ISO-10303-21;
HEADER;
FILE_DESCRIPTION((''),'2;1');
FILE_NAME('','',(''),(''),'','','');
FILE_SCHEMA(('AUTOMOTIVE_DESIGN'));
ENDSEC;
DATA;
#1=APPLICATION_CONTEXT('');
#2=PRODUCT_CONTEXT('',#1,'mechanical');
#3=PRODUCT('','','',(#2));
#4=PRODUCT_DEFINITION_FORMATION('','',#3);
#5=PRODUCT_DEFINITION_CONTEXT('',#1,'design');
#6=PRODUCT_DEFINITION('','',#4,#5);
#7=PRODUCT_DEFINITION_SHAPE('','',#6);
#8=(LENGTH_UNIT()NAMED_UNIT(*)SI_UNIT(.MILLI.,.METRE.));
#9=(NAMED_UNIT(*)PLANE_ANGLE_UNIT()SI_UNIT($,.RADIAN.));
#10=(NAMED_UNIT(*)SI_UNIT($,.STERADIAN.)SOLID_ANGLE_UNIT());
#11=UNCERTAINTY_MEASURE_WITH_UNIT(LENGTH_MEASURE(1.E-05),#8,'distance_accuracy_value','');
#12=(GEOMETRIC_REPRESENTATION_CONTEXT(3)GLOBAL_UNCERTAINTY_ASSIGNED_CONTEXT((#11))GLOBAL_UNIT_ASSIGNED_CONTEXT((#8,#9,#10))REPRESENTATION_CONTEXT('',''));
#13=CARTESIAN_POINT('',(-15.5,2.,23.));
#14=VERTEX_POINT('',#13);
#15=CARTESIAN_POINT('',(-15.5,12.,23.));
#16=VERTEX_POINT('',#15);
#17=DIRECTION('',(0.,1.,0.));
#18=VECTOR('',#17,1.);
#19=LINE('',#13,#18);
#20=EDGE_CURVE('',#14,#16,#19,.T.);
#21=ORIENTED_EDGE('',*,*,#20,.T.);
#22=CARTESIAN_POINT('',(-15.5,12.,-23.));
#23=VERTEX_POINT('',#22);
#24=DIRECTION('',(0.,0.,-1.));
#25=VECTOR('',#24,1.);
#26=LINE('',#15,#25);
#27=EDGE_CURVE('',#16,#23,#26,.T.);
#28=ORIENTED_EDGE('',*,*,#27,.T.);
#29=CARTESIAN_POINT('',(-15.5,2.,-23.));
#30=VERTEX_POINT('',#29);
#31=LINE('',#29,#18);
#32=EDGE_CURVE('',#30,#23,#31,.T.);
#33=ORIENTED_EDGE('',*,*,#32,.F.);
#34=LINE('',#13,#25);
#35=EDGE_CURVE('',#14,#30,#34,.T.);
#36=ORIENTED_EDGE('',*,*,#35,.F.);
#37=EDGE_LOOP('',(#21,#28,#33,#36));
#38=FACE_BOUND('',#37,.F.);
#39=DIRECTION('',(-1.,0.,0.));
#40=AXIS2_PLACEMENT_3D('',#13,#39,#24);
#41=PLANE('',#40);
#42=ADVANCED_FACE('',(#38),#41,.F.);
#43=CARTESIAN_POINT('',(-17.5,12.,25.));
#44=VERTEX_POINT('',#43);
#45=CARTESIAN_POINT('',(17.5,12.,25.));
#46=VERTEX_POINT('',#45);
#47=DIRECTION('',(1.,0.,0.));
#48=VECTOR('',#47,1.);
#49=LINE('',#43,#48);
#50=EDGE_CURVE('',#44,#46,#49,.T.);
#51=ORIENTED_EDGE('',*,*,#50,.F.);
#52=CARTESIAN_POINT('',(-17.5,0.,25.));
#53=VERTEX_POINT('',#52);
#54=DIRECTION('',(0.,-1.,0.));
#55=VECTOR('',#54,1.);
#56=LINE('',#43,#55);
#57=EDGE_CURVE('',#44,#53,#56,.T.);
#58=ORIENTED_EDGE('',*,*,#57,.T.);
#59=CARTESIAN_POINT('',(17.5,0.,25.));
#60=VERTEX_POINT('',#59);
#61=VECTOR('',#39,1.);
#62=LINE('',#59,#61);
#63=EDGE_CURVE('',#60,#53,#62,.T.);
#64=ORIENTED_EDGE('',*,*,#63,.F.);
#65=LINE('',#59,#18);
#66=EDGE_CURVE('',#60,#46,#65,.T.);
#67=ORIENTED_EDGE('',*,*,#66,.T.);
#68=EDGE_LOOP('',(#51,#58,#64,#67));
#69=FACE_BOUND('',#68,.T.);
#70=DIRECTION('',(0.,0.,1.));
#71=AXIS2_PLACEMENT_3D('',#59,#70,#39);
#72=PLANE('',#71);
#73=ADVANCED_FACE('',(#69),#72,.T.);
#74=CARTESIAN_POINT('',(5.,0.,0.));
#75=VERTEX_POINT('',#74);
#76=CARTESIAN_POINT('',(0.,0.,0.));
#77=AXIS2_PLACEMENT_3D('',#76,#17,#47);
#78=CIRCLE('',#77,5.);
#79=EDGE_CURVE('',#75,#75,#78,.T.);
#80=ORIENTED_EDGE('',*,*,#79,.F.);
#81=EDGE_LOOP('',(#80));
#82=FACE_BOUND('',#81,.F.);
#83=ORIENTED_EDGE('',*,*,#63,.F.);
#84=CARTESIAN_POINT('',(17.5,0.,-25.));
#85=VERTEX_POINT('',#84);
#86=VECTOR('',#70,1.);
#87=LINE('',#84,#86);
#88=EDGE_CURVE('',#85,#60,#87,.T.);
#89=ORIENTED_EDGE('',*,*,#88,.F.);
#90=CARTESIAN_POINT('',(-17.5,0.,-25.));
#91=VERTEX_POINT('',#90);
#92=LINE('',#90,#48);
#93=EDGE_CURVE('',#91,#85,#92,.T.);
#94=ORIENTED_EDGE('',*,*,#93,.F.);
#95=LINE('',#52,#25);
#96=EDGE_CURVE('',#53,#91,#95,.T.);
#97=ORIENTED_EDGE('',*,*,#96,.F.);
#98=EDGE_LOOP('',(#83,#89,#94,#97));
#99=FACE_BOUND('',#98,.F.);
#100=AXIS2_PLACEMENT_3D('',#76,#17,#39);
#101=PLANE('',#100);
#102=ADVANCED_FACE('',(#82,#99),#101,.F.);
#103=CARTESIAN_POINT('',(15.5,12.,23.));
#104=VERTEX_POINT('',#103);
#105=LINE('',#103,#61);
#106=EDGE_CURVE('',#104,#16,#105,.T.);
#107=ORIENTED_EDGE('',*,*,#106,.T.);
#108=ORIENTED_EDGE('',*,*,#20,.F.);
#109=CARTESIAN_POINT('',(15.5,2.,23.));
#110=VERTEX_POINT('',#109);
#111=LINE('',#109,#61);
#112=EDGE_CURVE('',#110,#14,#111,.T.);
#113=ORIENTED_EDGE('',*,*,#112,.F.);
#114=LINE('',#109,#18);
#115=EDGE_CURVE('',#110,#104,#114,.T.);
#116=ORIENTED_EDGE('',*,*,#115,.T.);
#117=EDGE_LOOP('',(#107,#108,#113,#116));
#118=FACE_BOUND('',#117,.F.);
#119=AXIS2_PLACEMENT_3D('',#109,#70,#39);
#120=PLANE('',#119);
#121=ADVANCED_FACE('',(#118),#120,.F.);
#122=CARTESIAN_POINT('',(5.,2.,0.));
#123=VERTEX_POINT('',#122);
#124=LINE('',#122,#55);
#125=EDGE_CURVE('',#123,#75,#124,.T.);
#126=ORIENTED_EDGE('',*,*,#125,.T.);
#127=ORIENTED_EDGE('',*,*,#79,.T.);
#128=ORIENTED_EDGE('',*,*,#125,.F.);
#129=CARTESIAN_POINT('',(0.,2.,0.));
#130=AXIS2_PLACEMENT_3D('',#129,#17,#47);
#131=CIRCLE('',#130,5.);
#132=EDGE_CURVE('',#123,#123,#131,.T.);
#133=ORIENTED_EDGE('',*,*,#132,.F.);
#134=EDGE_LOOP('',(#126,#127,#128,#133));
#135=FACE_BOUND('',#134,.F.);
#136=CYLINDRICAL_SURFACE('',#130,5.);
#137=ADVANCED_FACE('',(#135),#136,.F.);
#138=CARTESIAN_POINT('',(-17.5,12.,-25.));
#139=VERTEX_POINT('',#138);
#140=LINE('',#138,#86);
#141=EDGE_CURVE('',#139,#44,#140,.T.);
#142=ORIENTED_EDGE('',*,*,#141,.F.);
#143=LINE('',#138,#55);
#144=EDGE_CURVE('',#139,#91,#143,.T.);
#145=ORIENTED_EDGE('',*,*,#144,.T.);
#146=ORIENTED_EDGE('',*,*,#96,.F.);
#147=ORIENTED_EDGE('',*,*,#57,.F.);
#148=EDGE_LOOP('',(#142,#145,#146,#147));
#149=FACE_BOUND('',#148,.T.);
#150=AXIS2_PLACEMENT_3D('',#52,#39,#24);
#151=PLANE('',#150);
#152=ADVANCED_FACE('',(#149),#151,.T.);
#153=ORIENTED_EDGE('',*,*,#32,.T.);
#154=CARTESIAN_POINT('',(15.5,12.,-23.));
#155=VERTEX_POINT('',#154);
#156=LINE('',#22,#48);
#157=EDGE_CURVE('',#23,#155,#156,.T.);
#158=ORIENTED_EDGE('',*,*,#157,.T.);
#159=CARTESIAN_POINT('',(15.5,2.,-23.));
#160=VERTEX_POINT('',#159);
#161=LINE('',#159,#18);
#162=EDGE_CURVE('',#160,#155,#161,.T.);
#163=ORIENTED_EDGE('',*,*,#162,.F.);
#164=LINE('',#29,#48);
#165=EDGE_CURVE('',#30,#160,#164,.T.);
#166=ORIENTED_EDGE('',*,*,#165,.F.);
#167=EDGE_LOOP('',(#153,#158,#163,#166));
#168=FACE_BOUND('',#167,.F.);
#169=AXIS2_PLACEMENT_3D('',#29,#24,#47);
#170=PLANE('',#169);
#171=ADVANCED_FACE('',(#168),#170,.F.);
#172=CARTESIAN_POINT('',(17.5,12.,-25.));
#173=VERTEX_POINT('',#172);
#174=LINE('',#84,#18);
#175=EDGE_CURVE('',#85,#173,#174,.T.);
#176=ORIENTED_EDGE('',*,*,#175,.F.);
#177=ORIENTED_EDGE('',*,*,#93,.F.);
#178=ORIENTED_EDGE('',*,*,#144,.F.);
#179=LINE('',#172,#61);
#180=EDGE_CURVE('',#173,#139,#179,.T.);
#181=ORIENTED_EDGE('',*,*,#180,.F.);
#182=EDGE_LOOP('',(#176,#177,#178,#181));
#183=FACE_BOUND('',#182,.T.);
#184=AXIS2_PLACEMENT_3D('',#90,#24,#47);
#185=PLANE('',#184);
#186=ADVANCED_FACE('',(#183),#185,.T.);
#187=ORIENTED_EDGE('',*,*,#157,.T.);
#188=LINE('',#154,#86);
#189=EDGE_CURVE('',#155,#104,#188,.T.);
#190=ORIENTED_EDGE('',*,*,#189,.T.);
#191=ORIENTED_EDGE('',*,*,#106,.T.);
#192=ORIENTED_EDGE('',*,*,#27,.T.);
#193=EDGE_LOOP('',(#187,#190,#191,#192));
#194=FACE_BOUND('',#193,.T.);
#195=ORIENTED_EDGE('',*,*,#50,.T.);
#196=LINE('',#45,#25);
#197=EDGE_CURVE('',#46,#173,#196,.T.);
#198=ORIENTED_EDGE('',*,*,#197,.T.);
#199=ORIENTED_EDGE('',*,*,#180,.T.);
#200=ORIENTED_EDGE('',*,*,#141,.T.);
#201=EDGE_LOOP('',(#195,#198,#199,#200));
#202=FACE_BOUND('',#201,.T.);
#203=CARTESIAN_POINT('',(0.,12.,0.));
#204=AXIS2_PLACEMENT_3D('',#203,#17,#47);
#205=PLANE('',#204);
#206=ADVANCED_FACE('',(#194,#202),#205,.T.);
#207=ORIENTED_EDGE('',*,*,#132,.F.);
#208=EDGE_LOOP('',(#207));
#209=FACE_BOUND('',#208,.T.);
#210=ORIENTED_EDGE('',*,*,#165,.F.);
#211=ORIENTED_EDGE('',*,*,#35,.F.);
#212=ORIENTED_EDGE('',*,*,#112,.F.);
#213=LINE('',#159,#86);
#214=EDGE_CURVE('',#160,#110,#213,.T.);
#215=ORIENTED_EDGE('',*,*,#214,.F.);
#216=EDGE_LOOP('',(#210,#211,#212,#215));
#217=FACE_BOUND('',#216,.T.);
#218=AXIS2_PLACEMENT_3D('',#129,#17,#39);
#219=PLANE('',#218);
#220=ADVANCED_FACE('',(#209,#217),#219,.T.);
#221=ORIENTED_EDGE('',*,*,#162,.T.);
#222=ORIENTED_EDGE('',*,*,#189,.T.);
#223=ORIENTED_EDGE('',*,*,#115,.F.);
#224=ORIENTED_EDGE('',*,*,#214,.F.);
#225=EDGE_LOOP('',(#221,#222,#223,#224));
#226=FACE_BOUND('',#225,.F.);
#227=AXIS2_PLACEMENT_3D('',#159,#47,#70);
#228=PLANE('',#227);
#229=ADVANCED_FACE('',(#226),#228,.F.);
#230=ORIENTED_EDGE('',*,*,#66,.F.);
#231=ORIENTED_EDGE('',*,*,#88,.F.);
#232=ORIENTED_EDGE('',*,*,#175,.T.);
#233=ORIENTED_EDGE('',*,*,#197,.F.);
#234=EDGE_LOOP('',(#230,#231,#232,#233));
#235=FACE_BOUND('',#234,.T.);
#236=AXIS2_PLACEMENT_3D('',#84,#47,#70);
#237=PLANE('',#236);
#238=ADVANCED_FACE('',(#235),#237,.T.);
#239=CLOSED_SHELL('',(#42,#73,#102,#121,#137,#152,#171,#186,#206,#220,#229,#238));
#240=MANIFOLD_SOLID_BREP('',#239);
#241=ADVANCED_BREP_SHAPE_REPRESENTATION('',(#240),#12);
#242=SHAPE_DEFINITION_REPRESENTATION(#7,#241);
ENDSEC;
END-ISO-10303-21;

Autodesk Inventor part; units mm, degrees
ref_plane "РабПлоскость1" through (0, -35, 0) normal (0, 1, 0) x (-1, 0, 0)
ref_plane "РабПлоскость25" through (100, -155, 0) normal (-1, 0, 0) x (0, 0, 1)
ref_plane "РабПлоскость26" through (84, -165, -19) normal (-1, 0, 0) x (0, 0, 1)
sketch "Эскиз130" plane through (0, 0, 0) normal (0, 1, 0) x (-1, 0, 0)
  line L0 (-17.5, 25) -> (17.5, 25)
  line L1 (17.5, 25) -> (17.5, -25)
  line L2 (17.5, -25) -> (-17.5, -25)
  line L3 (-17.5, -25) -> (-17.5, 25)
  line L4 (-17.5, 25) -> (17.5, -25) construction
  line L5 (17.5, 25) -> (-17.5, -25) construction
  point P0 (0, 0)
  dimension "d710" = 50
  dimension "d711" = 35
extrude "Выдавливание115" add sketch "Эскиз130" along normal blind 2
sketch "Эскиз131" plane through (0, 2, 0) normal (0, 1, 0) x (1, 0, 0)
  line L0 (15.5, -23) -> (-15.5, -23)
  line L1 (-15.5, -23) -> (-15.5, 23)
  line L2 (-15.5, 23) -> (15.5, 23)
  line L3 (15.5, 23) -> (15.5, -23)
  line L4 (15.5, -23) -> (-15.5, 23) construction
  line L5 (-15.5, -23) -> (15.5, 23) construction
  line L6 (-17.5, 25) -> (-17.5, -25) projected
  line L7 (17.5, 25) -> (-17.5, 25) projected
  line L8 (-17.5, -25) -> (17.5, -25) projected
  line L9 (17.5, -25) -> (17.5, 25) projected
  line L10 (-17.5, -25) -> (17.5, -25) projected
  line L11 (17.5, -25) -> (17.5, 25) projected
  line L12 (17.5, 25) -> (-17.5, 25) projected
  line L13 (-17.5, 25) -> (-17.5, -25) projected
  point P0 (0, 0)
  dimension "d714" = 2
  dimension "d715" = 2
extrude "Выдавливание116" add sketch "Эскиз131" along normal blind 10
sketch "Эскиз132" plane through (0, 2, 0) normal (0, 1, 0) x (1, 0, 0)
  circle A0 centre (0, 0) radius 5
  dimension "d718" = 10
  dimension "d12" = 100
  dimension "d14" = 17
  dimension "d26" = 5
extrude "Выдавливание117" cut sketch "Эскиз132" against normal blind 10
sketch "Эскиз6" plane through (0, -35, -85) normal (0, -1, 0) x (1, 0, 0)
  arc A0 (29.3991, 164.4544) -> (0, 170) centre (-5, 62.7941) ccw projected
  line L0 (0, 170) -> (0, 0) projected
  arc A1 (0, 0) -> (29.3991, 5.5456) centre (-5, 107.2059) ccw projected
  arc A2 (29.3991, 5.5456) -> (100, 85) centre (-5, 107.2059) ccw projected
  arc A3 (100, 85) -> (29.3991, 164.4544) centre (-5, 62.7941) ccw projected
  point P0 (0, 85)
sketch "Эскиз114" plane through (2, -165, 82.8837) normal (1, 0, 0) x (0, 0, -1)
  circle A0 centre (120.1897, 5) radius 1
  line L0 (-2.1163, 0) -> (167.8837, 0) construction
  line L1 (82.8837, 0) -> (82.8837, 60.2174) construction
  circle A1 centre (45.5777, 5) radius 1
  point P0 (82.8837, 165)
  dimension "d609" = 2
  dimension "d610" = 37.306
  dimension "d611" = 5
sketch "Эскиз115" plane through (2, -165, 82.8837) normal (1, 0, 0) x (0, 0, -1)
  line L0 (167.7717, 0) -> (0, 0) construction
  line L1 (82.8837, 130) -> (82.8837, 0) construction
  line L2 (63.8837, 0) -> (101.8837, 0)
  line L3 (101.8837, 0) -> (101.8837, 20)
  line L4 (101.8837, 20) -> (63.8837, 20)
  line L5 (63.8837, 20) -> (63.8837, 0)
  line L6 (65.8837, 2) -> (99.8837, 2)
  line L7 (99.8837, 2) -> (99.8837, 18)
  line L8 (99.8837, 18) -> (65.8837, 18)
  line L9 (65.8837, 18) -> (65.8837, 2)
  line L10 (65.8837, 2) -> (99.8837, 18) construction
  line L11 (99.8837, 2) -> (65.8837, 18) construction
  point P0 (82.8837, 165)
  point P1 (145.8837, 0)
  point P2 (82.8837, 20)
  point P3 (82.8837, 10)
  dimension "d614" = 38
  dimension "d615" = 20
  dimension "d616" = 2
  dimension "d617" = 2
  dimension "d618" = 2
sketch "Эскиз116" plane through (0, -165, -85) normal (0, -1, 0) x (1, 0, 0)
  arc A0 (91.9272, 104) -> (2, 167.8837) centre (-5, 62.7941) ccw construction
  arc A1 (97.9549, 85) -> (92.7533, 102) centre (-5, 62.7941) ccw construction
  arc A2 (97.9549, 85) -> (91.9272, 104) centre (-5, 62.7941) ccw construction
  arc A3 (91.9272, 66) -> (97.9549, 85) centre (-5, 107.206) ccw
  line L0 (2, 66) -> (100.2736, 66) construction
  arc A4 (100.2736, 66) -> (97.9549, 85) centre (-5, 62.7941) ccw projected
  line L1 (91.9272, 66) -> (100.2736, 66)
  point P0 (0, 85)
  point P1 (36.5, 159.5958)
  dimension "d621" = 22.206
sketch "Эскиз117" plane through (2, -165, 82.8837) normal (1, 0, 0) x (0, 0, -1)
  line L0 (101.8837, 20) -> (101.8837, 0) projected
  line L1 (63.8837, 20) -> (101.8837, 20) projected
  line L2 (63.8837, 0) -> (63.8837, 20) projected
  line L3 (63.8837, 0) -> (101.8837, 0)
  point P0 (82.8837, 165)
sketch "Эскиз118" plane through (0, -165, -85) normal (0, -1, 0) x (1, 0, 0)
  line L0 (2, 66) -> (2, 104) projected
  line L1 (2, 66) -> (91.9272, 66) projected
  arc A0 (91.9272, 66) -> (97.9549, 85) centre (-5, 107.206) ccw projected
  line L2 (97.9549, 85) -> (100, 85) projected
  arc A1 (100, 85) -> (94.0968, 104) centre (-5, 62.7941) ccw projected
  line L3 (2, 104) -> (94.0968, 104) projected
  line L4 (2, 104) -> (4, 104)
  line L5 (4, 104) -> (4, 66)
  line L6 (4, 66) -> (2, 66)
  line L7 (2, 66) -> (2, 104)
  point P0 (0, 85)
  dimension "d626" = 2
sketch "Эскиз119" plane through (0, -165, -85) normal (0, -1, 0) x (1, 0, 0)
  arc A0 (100, 85) -> (94.0968, 104) centre (-5, 62.7941) ccw construction
  line L0 (4, 104) -> (4, 66) construction
  line L1 (4, 85) -> (65.3021, 85) construction
  arc A1 (94.0968, 66) -> (100, 85) centre (-5, 107.2059) ccw
  arc A2 (91.9272, 66) -> (97.9549, 85) centre (-5, 107.206) ccw construction
  line L2 (100, 85) -> (97.9549, 85)
  line L3 (94.0968, 66) -> (91.9272, 66)
  arc A3 (91.9272, 66) -> (97.9549, 85) centre (-5, 107.206) ccw
  point P0 (0, 85)
sketch "Эскиз120" plane through (4, -147, 17) normal (0, -1, 0) x (1, 0, 0)
  line L0 (0, 0) -> (2, 0)
  line L1 (2, 0) -> (2, -34)
  line L2 (2, -34) -> (0, -34)
  line L3 (0, -34) -> (0, 0)
  point P0 (-4, -17)
  dimension "d631" = 2
sketch "Эскиз121" plane through (0, 0, 0) normal (1, 0, 0) x (0, 1, 0)
  line L0 (-145, -19) -> (-145, 19) construction
  line L1 (-165, -19) -> (-145, -19) construction
  line L2 (-165, 19) -> (-165, -19) construction
  line L3 (-145, 19) -> (-165, 19) construction
  line L4 (-158, -19) -> (-152, -19)
  line L5 (-152, -19) -> (-152, -25)
  line L6 (-152, -25) -> (-158, -25)
  line L7 (-158, -25) -> (-158, -19)
  circle A0 centre (-155, -22) radius 1
  line L8 (-158, 25) -> (-152, 25)
  line L9 (-152, 25) -> (-152, 19)
  line L10 (-152, 19) -> (-158, 19)
  line L11 (-158, 19) -> (-158, 25)
  circle A1 centre (-155, 22) radius 1
  line L12 (-155, 19) -> (-155, -19) construction
  point P0 (0, 0)
  dimension "d634" = 6
  dimension "d635" = 6
  dimension "d636" = 2
  dimension "d637" = 3
  dimension "d638" = 3
  dimension "d639" = 6
  dimension "d640" = 6
  dimension "d641" = 2
  dimension "d642" = 3
  dimension "d643" = 3
sketch "Эскиз122" plane through (0, -158, 19) normal (0, -1, 0) x (1, 0, 0)
  line L0 (0, 0) -> (0, 6) projected
  line L1 (0, 0) -> (4, 0) projected
  line L2 (6, 0) -> (4, 0) projected
  line L3 (6, 6) -> (6, 0) projected
  line L4 (0, 6) -> (6, 6) projected
  line L5 (0, -44) -> (0, -38) projected
  line L6 (0, -44) -> (6, -44) projected
  line L7 (6, -38) -> (6, -44) projected
  line L8 (4, -38) -> (6, -38) projected
  line L9 (0, -38) -> (4, -38) projected
  line L10 (0, 6) -> (4, 6)
  line L11 (4, 6) -> (4, -44)
  line L12 (4, -44) -> (0, -44)
  line L13 (0, -44) -> (0, 6)
  line L14 (0, -44) -> (6, -44) projected
  point P0 (0, -19)
  dimension "d646" = 4
sketch "Эскиз123" plane through (0, -165, -85) normal (0, -1, 0) x (1, 0, 0)
  line L0 (32, 66) -> (34, 66)
  line L1 (34, 66) -> (34, 63)
  line L2 (34, 63) -> (32, 63)
  line L3 (32, 63) -> (32, 66)
  line L4 (4, 104) -> (4, 66) projected
  line L5 (94.0968, 66) -> (4, 66) projected
  line L6 (32, 107) -> (34, 107)
  line L7 (34, 107) -> (34, 104)
  line L8 (34, 104) -> (32, 104)
  line L9 (32, 104) -> (32, 107)
  line L10 (4, 104) -> (94.0968, 104) projected
  line L11 (36.5, 107) -> (38.5, 107)
  line L12 (38.5, 107) -> (38.5, 104)
  line L13 (38.5, 104) -> (36.5, 104)
  line L14 (36.5, 104) -> (36.5, 107)
  line L15 (36.5, 66) -> (38.5, 66)
  line L16 (38.5, 66) -> (38.5, 63)
  line L17 (38.5, 63) -> (36.5, 63)
  line L18 (36.5, 63) -> (36.5, 66)
  point P0 (0, 85)
  dimension "d650" = 30
  dimension "d651" = 2
  dimension "d652" = 3
  dimension "d653" = 2
  dimension "d654" = 3
  dimension "d655" = 2
  dimension "d656" = 3
  dimension "d657" = 2
  dimension "d658" = 3
  dimension "d659" = 30
  dimension "d660" = 2.5
  dimension "d661" = 2.5
sketch "Эскиз124" plane through (36.5, -145, -19) normal (0, 0, 1) x (1, 0, 0)
  line L0 (0, 0) -> (2, 0) projected
  line L1 (2, 0) -> (2, 2) projected
  line L2 (0, 2) -> (2, 2) projected
  line L3 (0, 0) -> (0, 2) projected
  line L4 (-4.5, 0) -> (-2.5, 0) projected
  line L5 (-2.5, 0) -> (-2.5, 2) projected
  line L6 (-4.5, 2) -> (-2.5, 2) projected
  line L7 (-4.5, 0) -> (-4.5, 2) projected
  point P0 (-36.5, 145)
  dimension "d667" = 2
  dimension "d668" = 9.5
  dimension "d669" = 10
sketch "Эскиз126" plane through (0, -165, -85) normal (0, -1, 0) x (1, 0, 0)
  circle A0 centre (16, 79) radius 1
  circle A1 centre (16, 91) radius 1
  line L0 (4, 104) -> (4, 66) projected
  line L1 (4, 85) -> (100.0263, 85) construction
  circle A2 centre (31, 79) radius 1
  circle A3 centre (31, 91) radius 1
  circle A4 centre (71, 75) radius 1
  circle A5 centre (71, 95) radius 1
  point P0 (0, 85)
  dimension "d674" = 2
  dimension "d675" = 2
  dimension "d676" = 12
  dimension "d677" = 12
  dimension "d678" = 6
  dimension "d679" = 2
  dimension "d680" = 2
  dimension "d681" = 12
  dimension "d683" = 27
  dimension "d684" = 6
  dimension "d685" = 2
  dimension "d686" = 2
  dimension "d689" = 67
  dimension "d690" = 10
  dimension "d697" = 20
sketch "Эскиз127" plane through (0, -165, -85) normal (0, -1, 0) x (1, 0, 0)
  circle A0 centre (71, 75) radius 1 construction
  circle A1 centre (31, 79) radius 1 construction
  circle A2 centre (16, 79) radius 1 construction
  circle A3 centre (16, 91) radius 1 construction
  circle A4 centre (31, 91) radius 1 construction
  circle A5 centre (71, 95) radius 1 construction
  arc A6 (32, 64) -> (34, 64) centre (33, 64) ccw construction
  line L0 (34, 64) -> (34, 66) construction
  line L1 (36.5, 66) -> (34, 66) construction
  line L2 (36.5, 66) -> (36.5, 64) construction
  arc A7 (36.5, 64) -> (38.5, 64) centre (37.5, 64) ccw construction
  line L3 (38.5, 64) -> (38.5, 66) construction
  line L4 (94.0968, 66) -> (38.5, 66) construction
  arc A8 (94.0968, 66) -> (100, 85) centre (-5, 107.2059) ccw projected
  arc A9 (100, 85) -> (94.0968, 104) centre (-5, 62.7941) ccw projected
  line L5 (38.5, 104) -> (94.0968, 104) construction
  line L6 (38.5, 104) -> (38.5, 106) construction
  arc A10 (38.5, 106) -> (36.5, 106) centre (37.5, 106) ccw construction
  line L7 (36.5, 106) -> (36.5, 104) construction
  line L8 (34, 104) -> (36.5, 104) construction
  line L9 (34, 104) -> (34, 106) construction
  arc A11 (34, 106) -> (32, 106) centre (33, 106) ccw construction
  line L10 (32, 106) -> (32, 104) construction
  line L11 (4, 104) -> (32, 104) construction
  line L12 (4, 104) -> (4, 66) construction
  line L13 (32, 66) -> (4, 66) construction
  line L14 (32, 66) -> (32, 64) construction
  line L15 (4, 85) -> (100, 85) construction
  line L16 (4, 84) -> (99.7835, 84)
  line L17 (4, 86) -> (99.7835, 86)
  line L18 (4, 86) -> (4, 84)
  point P0 (0, 85)
  dimension "d693" = 2
  dimension "d694" = 1
sketch "Эскиз128" plane through (84, -165, -19) normal (-1, 0, 0) x (0, 0, 1)
  line L0 (-7, 0) -> (46, 0)
  line L1 (46, 0) -> (46, 24)
  line L2 (46, 24) -> (-7, 24)
  line L3 (-7, 24) -> (-7, 0)
  point P0 (19, 165)
  point P1 (0, 0)
  dimension "d699" = 53
  dimension "d700" = 24
  dimension "d701" = 7
sketch "Эскиз129" plane through (38.5, -145, 19) normal (0, 1, 0) x (1, 0, 0)
  arc A0 (45.5, 48) -> (45.5, -10) centre (79.9093, 19) ccw
  line L0 (45.5, 48) -> (45.5, -10)
  line L1 (45.5, 0) -> (45.5, 38) projected
  line L2 (0, 0) -> (45.5, 0) projected
  point P0 (-38.5, 19)
  dimension "d707" = 10
  dimension "d708" = 10
  dimension "d709" = 45
  dimension "d10" = 170
  dimension "d15" = 4
  dimension "d16" = 35
  dimension "d97" = 2
properties part number "тело"
